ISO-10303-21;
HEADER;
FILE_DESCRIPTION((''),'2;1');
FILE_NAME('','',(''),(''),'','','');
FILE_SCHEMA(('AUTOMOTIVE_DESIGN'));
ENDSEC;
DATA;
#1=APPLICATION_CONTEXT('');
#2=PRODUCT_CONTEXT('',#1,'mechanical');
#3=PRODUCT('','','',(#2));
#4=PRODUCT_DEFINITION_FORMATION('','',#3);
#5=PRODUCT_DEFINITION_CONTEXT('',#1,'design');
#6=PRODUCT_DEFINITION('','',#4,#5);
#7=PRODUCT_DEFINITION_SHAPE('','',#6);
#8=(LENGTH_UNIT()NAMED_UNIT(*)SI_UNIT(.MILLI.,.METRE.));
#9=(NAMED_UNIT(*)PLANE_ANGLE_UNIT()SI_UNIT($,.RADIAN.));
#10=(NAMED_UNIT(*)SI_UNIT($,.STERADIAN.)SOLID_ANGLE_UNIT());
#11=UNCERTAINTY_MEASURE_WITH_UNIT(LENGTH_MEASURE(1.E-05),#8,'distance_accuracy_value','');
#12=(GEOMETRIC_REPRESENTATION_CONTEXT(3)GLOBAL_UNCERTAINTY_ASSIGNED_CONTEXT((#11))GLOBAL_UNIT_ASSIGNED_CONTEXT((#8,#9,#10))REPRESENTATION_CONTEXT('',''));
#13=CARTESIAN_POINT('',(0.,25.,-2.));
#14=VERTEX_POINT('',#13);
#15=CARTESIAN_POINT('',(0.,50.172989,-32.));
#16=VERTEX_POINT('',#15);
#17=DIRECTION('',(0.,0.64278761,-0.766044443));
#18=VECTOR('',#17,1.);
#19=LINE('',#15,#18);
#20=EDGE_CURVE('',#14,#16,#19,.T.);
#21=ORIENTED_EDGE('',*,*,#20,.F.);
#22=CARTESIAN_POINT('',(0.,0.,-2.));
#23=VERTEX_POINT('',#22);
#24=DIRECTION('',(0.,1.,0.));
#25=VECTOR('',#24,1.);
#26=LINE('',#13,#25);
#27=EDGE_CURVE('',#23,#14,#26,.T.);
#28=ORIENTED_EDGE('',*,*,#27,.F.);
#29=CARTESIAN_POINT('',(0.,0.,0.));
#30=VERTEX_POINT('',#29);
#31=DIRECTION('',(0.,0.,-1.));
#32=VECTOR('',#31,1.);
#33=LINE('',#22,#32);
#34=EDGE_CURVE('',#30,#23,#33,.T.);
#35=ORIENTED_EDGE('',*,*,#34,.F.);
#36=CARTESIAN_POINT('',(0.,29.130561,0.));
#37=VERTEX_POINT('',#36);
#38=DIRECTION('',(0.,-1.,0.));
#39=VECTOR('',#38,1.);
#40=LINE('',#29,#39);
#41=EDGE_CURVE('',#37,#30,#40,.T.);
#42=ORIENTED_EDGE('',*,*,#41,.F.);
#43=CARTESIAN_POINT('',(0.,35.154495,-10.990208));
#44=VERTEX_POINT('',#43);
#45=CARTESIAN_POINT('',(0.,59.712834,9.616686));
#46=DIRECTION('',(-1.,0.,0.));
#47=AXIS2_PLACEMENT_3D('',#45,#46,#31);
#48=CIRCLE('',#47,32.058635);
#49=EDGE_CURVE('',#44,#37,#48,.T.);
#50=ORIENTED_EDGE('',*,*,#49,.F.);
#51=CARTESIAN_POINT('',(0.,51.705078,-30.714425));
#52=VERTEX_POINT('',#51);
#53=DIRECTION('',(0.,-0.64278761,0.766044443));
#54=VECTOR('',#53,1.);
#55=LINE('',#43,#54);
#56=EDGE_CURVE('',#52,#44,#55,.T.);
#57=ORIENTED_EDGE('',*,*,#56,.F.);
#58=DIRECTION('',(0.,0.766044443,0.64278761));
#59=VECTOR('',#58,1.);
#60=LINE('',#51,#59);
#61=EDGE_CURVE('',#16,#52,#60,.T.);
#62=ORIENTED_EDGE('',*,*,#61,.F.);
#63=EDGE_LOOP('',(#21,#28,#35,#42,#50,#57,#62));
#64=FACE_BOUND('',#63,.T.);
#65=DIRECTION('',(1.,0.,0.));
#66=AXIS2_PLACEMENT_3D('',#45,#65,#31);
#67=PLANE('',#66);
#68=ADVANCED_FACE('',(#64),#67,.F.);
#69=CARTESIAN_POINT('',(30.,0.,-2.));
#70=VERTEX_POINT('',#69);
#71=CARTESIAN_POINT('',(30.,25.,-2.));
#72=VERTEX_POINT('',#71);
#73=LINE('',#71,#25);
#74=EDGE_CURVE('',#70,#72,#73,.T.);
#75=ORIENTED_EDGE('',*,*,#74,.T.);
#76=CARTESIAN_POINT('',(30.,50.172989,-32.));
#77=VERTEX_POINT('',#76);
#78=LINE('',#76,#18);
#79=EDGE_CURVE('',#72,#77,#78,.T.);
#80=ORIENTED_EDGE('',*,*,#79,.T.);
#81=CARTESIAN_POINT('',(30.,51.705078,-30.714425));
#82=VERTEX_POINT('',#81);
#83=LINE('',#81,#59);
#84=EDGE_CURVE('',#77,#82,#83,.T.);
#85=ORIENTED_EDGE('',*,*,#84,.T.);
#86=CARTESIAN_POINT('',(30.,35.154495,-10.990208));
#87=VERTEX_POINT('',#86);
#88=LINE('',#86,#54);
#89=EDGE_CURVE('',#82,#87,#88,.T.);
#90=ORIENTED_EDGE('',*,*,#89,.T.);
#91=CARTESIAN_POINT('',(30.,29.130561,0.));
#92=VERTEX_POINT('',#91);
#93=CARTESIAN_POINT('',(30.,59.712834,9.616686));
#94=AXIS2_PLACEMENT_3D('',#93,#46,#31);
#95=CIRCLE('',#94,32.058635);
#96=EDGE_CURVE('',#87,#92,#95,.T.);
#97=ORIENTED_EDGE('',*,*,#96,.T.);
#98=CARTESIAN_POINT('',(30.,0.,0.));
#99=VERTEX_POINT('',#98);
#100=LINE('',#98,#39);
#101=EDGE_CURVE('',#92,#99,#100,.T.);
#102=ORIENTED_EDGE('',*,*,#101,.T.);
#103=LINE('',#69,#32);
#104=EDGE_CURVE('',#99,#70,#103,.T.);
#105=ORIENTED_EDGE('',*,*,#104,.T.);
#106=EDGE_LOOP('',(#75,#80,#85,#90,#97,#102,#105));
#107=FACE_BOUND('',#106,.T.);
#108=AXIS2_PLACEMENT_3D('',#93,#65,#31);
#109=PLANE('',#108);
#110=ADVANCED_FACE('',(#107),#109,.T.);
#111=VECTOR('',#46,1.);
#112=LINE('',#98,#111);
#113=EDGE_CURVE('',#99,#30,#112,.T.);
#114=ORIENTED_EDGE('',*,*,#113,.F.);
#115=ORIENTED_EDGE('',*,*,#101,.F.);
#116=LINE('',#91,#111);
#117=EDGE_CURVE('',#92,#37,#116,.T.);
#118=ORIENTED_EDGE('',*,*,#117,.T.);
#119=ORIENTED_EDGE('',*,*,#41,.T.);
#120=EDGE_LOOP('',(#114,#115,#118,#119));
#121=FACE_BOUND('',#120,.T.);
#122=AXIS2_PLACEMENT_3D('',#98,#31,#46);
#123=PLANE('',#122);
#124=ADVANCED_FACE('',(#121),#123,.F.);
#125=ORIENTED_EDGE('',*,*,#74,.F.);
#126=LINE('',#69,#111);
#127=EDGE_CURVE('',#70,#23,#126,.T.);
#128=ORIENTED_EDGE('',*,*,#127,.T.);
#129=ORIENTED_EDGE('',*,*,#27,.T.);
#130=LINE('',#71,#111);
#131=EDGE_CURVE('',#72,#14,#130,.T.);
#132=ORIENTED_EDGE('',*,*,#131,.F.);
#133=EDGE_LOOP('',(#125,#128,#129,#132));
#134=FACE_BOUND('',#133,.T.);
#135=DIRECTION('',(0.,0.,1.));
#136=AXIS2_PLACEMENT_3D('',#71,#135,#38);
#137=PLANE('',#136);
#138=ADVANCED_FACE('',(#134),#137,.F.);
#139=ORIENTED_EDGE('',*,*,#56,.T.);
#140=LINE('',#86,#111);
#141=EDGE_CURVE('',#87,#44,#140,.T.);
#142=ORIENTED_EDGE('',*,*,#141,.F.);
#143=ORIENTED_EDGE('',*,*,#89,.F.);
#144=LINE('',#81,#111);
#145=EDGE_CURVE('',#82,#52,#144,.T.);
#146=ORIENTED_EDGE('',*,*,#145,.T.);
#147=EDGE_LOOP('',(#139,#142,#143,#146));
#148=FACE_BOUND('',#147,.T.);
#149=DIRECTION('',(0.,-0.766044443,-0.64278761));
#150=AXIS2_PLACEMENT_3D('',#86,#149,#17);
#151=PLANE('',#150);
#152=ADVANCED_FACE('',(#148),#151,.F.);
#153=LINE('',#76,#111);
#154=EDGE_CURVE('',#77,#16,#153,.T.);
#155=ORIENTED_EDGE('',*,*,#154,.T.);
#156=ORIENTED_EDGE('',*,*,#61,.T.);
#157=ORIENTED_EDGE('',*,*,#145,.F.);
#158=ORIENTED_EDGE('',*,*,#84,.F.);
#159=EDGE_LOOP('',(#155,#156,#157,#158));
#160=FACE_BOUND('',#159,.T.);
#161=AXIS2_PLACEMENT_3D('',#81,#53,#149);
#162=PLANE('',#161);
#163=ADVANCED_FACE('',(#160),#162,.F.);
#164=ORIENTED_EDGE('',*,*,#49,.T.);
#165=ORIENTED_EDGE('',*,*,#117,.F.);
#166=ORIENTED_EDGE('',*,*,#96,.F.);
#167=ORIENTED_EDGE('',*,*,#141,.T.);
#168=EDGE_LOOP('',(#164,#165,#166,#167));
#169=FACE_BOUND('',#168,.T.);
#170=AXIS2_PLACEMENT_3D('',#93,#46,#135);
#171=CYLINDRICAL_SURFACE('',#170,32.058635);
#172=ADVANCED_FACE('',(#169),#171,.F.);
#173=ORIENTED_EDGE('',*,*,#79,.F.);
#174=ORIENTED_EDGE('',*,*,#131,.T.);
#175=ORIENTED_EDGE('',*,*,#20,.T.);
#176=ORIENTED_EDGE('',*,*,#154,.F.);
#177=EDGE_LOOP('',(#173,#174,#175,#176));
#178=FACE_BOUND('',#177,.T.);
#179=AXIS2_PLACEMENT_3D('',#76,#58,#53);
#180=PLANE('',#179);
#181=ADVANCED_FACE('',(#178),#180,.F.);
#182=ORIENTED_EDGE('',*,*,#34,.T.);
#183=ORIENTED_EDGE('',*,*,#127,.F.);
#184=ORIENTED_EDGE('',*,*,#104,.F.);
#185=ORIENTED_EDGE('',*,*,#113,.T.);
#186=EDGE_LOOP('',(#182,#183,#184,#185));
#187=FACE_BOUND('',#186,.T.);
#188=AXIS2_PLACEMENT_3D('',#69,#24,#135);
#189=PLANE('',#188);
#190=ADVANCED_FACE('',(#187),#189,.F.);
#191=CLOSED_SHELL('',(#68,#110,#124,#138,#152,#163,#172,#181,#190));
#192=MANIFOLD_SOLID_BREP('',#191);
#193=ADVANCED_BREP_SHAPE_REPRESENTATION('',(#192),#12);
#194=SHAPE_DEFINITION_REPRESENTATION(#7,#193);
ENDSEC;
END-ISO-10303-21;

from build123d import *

# Parameters (mm, degrees)
BOSS_EXTRUDE1_DEPTH = 30


with BuildPart() as part:
    # Sketch1 → Boss-Extrude1 (new body)
    with BuildSketch(Plane(origin=(0, 0, 0), x_dir=(0, 0, -1), z_dir=(1, 0, 0))):
        with BuildLine():
            Line((0, 0), (0, 29.130560593))
            ThreePointArc((0, 29.130560593), (5.792341896, 31.60023967), (10.990207869, 35.154494686))
            Line((10.990207869, 35.154494686), (30.714424781, 51.705077822))
            Line((30.714424781, 51.705077822), (32, 50.172988935))
            Line((32, 50.172988935), (2, 25))
            Line((2, 25), (2, 0))
            Line((2, 0), (0, 0))
        make_face()
    extrude(amount=BOSS_EXTRUDE1_DEPTH)


solid = part.part
